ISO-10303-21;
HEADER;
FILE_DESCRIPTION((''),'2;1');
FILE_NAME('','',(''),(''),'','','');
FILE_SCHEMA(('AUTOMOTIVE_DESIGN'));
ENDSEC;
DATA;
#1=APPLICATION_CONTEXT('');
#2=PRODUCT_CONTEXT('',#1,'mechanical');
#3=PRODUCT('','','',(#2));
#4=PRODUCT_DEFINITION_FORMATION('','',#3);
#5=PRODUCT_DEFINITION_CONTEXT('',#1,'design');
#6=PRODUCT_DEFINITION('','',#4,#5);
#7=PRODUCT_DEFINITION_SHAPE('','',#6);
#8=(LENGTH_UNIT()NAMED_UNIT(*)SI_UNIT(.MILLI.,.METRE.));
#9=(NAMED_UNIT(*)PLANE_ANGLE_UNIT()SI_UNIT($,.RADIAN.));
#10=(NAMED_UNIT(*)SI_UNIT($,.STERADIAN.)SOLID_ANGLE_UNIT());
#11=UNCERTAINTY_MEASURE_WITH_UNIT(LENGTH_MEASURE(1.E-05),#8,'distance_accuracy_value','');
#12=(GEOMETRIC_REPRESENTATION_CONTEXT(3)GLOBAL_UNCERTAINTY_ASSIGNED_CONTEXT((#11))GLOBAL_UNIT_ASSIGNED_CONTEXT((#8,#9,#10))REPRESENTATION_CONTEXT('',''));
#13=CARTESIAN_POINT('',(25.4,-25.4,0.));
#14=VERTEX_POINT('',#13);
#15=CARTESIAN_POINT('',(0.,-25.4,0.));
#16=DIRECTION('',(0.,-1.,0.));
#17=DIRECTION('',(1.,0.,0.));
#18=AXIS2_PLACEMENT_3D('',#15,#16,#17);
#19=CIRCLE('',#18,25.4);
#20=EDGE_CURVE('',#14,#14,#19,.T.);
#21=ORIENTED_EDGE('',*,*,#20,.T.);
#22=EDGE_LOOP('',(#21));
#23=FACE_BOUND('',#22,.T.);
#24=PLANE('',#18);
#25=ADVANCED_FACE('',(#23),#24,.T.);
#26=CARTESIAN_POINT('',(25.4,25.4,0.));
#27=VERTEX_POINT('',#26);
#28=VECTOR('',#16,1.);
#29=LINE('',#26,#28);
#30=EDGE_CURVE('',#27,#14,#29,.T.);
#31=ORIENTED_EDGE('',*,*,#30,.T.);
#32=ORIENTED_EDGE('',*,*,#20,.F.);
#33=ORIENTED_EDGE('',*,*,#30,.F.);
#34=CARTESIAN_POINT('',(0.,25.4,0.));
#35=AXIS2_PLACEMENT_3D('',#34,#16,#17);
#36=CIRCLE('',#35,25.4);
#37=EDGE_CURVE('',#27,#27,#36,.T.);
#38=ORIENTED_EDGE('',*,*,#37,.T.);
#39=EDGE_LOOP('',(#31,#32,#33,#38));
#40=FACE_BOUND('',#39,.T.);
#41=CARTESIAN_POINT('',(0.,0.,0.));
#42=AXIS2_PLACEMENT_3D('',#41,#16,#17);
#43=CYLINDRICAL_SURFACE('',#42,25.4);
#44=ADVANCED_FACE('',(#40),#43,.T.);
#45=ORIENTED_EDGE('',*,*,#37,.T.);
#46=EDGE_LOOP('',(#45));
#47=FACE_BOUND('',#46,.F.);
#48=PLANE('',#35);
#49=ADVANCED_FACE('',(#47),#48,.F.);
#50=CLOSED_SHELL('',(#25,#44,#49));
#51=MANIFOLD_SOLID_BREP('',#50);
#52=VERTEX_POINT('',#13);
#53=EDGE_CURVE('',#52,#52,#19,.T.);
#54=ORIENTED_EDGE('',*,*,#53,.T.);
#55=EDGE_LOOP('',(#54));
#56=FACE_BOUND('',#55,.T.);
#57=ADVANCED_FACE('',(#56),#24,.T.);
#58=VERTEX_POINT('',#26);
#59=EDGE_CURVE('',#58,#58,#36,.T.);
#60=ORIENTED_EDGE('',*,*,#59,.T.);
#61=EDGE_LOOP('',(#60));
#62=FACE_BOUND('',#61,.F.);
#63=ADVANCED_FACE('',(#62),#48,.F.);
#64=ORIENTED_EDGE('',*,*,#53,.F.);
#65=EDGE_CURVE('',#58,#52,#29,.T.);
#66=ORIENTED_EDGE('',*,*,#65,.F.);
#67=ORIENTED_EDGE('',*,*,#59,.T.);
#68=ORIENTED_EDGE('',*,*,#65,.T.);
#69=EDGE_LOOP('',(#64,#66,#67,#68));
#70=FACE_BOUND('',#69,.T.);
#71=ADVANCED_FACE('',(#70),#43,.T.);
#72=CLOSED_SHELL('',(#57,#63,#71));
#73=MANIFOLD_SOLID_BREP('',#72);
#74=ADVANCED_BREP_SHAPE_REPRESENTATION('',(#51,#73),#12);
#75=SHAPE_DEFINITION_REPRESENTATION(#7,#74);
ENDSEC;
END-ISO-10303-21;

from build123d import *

# Parameters (mm, degrees)
F0_R     = 25.4
F2_DEPTH = 25.4
F1_R     = 25.4


with BuildPart() as f2:
    # F0 (on Front) → F2 (new body, symmetric)
    with BuildSketch(Plane.XZ):
        Circle(F0_R)
    extrude(amount=F2_DEPTH, both=True)


with BuildPart() as f2b:
    # F1 (on face) → F2, piece 2 (new body, symmetric)
    with BuildSketch(Plane.XZ):
        Circle(F1_R)
    extrude(amount=F2_DEPTH, both=True)


solid = Compound([f2.part, f2b.part])
